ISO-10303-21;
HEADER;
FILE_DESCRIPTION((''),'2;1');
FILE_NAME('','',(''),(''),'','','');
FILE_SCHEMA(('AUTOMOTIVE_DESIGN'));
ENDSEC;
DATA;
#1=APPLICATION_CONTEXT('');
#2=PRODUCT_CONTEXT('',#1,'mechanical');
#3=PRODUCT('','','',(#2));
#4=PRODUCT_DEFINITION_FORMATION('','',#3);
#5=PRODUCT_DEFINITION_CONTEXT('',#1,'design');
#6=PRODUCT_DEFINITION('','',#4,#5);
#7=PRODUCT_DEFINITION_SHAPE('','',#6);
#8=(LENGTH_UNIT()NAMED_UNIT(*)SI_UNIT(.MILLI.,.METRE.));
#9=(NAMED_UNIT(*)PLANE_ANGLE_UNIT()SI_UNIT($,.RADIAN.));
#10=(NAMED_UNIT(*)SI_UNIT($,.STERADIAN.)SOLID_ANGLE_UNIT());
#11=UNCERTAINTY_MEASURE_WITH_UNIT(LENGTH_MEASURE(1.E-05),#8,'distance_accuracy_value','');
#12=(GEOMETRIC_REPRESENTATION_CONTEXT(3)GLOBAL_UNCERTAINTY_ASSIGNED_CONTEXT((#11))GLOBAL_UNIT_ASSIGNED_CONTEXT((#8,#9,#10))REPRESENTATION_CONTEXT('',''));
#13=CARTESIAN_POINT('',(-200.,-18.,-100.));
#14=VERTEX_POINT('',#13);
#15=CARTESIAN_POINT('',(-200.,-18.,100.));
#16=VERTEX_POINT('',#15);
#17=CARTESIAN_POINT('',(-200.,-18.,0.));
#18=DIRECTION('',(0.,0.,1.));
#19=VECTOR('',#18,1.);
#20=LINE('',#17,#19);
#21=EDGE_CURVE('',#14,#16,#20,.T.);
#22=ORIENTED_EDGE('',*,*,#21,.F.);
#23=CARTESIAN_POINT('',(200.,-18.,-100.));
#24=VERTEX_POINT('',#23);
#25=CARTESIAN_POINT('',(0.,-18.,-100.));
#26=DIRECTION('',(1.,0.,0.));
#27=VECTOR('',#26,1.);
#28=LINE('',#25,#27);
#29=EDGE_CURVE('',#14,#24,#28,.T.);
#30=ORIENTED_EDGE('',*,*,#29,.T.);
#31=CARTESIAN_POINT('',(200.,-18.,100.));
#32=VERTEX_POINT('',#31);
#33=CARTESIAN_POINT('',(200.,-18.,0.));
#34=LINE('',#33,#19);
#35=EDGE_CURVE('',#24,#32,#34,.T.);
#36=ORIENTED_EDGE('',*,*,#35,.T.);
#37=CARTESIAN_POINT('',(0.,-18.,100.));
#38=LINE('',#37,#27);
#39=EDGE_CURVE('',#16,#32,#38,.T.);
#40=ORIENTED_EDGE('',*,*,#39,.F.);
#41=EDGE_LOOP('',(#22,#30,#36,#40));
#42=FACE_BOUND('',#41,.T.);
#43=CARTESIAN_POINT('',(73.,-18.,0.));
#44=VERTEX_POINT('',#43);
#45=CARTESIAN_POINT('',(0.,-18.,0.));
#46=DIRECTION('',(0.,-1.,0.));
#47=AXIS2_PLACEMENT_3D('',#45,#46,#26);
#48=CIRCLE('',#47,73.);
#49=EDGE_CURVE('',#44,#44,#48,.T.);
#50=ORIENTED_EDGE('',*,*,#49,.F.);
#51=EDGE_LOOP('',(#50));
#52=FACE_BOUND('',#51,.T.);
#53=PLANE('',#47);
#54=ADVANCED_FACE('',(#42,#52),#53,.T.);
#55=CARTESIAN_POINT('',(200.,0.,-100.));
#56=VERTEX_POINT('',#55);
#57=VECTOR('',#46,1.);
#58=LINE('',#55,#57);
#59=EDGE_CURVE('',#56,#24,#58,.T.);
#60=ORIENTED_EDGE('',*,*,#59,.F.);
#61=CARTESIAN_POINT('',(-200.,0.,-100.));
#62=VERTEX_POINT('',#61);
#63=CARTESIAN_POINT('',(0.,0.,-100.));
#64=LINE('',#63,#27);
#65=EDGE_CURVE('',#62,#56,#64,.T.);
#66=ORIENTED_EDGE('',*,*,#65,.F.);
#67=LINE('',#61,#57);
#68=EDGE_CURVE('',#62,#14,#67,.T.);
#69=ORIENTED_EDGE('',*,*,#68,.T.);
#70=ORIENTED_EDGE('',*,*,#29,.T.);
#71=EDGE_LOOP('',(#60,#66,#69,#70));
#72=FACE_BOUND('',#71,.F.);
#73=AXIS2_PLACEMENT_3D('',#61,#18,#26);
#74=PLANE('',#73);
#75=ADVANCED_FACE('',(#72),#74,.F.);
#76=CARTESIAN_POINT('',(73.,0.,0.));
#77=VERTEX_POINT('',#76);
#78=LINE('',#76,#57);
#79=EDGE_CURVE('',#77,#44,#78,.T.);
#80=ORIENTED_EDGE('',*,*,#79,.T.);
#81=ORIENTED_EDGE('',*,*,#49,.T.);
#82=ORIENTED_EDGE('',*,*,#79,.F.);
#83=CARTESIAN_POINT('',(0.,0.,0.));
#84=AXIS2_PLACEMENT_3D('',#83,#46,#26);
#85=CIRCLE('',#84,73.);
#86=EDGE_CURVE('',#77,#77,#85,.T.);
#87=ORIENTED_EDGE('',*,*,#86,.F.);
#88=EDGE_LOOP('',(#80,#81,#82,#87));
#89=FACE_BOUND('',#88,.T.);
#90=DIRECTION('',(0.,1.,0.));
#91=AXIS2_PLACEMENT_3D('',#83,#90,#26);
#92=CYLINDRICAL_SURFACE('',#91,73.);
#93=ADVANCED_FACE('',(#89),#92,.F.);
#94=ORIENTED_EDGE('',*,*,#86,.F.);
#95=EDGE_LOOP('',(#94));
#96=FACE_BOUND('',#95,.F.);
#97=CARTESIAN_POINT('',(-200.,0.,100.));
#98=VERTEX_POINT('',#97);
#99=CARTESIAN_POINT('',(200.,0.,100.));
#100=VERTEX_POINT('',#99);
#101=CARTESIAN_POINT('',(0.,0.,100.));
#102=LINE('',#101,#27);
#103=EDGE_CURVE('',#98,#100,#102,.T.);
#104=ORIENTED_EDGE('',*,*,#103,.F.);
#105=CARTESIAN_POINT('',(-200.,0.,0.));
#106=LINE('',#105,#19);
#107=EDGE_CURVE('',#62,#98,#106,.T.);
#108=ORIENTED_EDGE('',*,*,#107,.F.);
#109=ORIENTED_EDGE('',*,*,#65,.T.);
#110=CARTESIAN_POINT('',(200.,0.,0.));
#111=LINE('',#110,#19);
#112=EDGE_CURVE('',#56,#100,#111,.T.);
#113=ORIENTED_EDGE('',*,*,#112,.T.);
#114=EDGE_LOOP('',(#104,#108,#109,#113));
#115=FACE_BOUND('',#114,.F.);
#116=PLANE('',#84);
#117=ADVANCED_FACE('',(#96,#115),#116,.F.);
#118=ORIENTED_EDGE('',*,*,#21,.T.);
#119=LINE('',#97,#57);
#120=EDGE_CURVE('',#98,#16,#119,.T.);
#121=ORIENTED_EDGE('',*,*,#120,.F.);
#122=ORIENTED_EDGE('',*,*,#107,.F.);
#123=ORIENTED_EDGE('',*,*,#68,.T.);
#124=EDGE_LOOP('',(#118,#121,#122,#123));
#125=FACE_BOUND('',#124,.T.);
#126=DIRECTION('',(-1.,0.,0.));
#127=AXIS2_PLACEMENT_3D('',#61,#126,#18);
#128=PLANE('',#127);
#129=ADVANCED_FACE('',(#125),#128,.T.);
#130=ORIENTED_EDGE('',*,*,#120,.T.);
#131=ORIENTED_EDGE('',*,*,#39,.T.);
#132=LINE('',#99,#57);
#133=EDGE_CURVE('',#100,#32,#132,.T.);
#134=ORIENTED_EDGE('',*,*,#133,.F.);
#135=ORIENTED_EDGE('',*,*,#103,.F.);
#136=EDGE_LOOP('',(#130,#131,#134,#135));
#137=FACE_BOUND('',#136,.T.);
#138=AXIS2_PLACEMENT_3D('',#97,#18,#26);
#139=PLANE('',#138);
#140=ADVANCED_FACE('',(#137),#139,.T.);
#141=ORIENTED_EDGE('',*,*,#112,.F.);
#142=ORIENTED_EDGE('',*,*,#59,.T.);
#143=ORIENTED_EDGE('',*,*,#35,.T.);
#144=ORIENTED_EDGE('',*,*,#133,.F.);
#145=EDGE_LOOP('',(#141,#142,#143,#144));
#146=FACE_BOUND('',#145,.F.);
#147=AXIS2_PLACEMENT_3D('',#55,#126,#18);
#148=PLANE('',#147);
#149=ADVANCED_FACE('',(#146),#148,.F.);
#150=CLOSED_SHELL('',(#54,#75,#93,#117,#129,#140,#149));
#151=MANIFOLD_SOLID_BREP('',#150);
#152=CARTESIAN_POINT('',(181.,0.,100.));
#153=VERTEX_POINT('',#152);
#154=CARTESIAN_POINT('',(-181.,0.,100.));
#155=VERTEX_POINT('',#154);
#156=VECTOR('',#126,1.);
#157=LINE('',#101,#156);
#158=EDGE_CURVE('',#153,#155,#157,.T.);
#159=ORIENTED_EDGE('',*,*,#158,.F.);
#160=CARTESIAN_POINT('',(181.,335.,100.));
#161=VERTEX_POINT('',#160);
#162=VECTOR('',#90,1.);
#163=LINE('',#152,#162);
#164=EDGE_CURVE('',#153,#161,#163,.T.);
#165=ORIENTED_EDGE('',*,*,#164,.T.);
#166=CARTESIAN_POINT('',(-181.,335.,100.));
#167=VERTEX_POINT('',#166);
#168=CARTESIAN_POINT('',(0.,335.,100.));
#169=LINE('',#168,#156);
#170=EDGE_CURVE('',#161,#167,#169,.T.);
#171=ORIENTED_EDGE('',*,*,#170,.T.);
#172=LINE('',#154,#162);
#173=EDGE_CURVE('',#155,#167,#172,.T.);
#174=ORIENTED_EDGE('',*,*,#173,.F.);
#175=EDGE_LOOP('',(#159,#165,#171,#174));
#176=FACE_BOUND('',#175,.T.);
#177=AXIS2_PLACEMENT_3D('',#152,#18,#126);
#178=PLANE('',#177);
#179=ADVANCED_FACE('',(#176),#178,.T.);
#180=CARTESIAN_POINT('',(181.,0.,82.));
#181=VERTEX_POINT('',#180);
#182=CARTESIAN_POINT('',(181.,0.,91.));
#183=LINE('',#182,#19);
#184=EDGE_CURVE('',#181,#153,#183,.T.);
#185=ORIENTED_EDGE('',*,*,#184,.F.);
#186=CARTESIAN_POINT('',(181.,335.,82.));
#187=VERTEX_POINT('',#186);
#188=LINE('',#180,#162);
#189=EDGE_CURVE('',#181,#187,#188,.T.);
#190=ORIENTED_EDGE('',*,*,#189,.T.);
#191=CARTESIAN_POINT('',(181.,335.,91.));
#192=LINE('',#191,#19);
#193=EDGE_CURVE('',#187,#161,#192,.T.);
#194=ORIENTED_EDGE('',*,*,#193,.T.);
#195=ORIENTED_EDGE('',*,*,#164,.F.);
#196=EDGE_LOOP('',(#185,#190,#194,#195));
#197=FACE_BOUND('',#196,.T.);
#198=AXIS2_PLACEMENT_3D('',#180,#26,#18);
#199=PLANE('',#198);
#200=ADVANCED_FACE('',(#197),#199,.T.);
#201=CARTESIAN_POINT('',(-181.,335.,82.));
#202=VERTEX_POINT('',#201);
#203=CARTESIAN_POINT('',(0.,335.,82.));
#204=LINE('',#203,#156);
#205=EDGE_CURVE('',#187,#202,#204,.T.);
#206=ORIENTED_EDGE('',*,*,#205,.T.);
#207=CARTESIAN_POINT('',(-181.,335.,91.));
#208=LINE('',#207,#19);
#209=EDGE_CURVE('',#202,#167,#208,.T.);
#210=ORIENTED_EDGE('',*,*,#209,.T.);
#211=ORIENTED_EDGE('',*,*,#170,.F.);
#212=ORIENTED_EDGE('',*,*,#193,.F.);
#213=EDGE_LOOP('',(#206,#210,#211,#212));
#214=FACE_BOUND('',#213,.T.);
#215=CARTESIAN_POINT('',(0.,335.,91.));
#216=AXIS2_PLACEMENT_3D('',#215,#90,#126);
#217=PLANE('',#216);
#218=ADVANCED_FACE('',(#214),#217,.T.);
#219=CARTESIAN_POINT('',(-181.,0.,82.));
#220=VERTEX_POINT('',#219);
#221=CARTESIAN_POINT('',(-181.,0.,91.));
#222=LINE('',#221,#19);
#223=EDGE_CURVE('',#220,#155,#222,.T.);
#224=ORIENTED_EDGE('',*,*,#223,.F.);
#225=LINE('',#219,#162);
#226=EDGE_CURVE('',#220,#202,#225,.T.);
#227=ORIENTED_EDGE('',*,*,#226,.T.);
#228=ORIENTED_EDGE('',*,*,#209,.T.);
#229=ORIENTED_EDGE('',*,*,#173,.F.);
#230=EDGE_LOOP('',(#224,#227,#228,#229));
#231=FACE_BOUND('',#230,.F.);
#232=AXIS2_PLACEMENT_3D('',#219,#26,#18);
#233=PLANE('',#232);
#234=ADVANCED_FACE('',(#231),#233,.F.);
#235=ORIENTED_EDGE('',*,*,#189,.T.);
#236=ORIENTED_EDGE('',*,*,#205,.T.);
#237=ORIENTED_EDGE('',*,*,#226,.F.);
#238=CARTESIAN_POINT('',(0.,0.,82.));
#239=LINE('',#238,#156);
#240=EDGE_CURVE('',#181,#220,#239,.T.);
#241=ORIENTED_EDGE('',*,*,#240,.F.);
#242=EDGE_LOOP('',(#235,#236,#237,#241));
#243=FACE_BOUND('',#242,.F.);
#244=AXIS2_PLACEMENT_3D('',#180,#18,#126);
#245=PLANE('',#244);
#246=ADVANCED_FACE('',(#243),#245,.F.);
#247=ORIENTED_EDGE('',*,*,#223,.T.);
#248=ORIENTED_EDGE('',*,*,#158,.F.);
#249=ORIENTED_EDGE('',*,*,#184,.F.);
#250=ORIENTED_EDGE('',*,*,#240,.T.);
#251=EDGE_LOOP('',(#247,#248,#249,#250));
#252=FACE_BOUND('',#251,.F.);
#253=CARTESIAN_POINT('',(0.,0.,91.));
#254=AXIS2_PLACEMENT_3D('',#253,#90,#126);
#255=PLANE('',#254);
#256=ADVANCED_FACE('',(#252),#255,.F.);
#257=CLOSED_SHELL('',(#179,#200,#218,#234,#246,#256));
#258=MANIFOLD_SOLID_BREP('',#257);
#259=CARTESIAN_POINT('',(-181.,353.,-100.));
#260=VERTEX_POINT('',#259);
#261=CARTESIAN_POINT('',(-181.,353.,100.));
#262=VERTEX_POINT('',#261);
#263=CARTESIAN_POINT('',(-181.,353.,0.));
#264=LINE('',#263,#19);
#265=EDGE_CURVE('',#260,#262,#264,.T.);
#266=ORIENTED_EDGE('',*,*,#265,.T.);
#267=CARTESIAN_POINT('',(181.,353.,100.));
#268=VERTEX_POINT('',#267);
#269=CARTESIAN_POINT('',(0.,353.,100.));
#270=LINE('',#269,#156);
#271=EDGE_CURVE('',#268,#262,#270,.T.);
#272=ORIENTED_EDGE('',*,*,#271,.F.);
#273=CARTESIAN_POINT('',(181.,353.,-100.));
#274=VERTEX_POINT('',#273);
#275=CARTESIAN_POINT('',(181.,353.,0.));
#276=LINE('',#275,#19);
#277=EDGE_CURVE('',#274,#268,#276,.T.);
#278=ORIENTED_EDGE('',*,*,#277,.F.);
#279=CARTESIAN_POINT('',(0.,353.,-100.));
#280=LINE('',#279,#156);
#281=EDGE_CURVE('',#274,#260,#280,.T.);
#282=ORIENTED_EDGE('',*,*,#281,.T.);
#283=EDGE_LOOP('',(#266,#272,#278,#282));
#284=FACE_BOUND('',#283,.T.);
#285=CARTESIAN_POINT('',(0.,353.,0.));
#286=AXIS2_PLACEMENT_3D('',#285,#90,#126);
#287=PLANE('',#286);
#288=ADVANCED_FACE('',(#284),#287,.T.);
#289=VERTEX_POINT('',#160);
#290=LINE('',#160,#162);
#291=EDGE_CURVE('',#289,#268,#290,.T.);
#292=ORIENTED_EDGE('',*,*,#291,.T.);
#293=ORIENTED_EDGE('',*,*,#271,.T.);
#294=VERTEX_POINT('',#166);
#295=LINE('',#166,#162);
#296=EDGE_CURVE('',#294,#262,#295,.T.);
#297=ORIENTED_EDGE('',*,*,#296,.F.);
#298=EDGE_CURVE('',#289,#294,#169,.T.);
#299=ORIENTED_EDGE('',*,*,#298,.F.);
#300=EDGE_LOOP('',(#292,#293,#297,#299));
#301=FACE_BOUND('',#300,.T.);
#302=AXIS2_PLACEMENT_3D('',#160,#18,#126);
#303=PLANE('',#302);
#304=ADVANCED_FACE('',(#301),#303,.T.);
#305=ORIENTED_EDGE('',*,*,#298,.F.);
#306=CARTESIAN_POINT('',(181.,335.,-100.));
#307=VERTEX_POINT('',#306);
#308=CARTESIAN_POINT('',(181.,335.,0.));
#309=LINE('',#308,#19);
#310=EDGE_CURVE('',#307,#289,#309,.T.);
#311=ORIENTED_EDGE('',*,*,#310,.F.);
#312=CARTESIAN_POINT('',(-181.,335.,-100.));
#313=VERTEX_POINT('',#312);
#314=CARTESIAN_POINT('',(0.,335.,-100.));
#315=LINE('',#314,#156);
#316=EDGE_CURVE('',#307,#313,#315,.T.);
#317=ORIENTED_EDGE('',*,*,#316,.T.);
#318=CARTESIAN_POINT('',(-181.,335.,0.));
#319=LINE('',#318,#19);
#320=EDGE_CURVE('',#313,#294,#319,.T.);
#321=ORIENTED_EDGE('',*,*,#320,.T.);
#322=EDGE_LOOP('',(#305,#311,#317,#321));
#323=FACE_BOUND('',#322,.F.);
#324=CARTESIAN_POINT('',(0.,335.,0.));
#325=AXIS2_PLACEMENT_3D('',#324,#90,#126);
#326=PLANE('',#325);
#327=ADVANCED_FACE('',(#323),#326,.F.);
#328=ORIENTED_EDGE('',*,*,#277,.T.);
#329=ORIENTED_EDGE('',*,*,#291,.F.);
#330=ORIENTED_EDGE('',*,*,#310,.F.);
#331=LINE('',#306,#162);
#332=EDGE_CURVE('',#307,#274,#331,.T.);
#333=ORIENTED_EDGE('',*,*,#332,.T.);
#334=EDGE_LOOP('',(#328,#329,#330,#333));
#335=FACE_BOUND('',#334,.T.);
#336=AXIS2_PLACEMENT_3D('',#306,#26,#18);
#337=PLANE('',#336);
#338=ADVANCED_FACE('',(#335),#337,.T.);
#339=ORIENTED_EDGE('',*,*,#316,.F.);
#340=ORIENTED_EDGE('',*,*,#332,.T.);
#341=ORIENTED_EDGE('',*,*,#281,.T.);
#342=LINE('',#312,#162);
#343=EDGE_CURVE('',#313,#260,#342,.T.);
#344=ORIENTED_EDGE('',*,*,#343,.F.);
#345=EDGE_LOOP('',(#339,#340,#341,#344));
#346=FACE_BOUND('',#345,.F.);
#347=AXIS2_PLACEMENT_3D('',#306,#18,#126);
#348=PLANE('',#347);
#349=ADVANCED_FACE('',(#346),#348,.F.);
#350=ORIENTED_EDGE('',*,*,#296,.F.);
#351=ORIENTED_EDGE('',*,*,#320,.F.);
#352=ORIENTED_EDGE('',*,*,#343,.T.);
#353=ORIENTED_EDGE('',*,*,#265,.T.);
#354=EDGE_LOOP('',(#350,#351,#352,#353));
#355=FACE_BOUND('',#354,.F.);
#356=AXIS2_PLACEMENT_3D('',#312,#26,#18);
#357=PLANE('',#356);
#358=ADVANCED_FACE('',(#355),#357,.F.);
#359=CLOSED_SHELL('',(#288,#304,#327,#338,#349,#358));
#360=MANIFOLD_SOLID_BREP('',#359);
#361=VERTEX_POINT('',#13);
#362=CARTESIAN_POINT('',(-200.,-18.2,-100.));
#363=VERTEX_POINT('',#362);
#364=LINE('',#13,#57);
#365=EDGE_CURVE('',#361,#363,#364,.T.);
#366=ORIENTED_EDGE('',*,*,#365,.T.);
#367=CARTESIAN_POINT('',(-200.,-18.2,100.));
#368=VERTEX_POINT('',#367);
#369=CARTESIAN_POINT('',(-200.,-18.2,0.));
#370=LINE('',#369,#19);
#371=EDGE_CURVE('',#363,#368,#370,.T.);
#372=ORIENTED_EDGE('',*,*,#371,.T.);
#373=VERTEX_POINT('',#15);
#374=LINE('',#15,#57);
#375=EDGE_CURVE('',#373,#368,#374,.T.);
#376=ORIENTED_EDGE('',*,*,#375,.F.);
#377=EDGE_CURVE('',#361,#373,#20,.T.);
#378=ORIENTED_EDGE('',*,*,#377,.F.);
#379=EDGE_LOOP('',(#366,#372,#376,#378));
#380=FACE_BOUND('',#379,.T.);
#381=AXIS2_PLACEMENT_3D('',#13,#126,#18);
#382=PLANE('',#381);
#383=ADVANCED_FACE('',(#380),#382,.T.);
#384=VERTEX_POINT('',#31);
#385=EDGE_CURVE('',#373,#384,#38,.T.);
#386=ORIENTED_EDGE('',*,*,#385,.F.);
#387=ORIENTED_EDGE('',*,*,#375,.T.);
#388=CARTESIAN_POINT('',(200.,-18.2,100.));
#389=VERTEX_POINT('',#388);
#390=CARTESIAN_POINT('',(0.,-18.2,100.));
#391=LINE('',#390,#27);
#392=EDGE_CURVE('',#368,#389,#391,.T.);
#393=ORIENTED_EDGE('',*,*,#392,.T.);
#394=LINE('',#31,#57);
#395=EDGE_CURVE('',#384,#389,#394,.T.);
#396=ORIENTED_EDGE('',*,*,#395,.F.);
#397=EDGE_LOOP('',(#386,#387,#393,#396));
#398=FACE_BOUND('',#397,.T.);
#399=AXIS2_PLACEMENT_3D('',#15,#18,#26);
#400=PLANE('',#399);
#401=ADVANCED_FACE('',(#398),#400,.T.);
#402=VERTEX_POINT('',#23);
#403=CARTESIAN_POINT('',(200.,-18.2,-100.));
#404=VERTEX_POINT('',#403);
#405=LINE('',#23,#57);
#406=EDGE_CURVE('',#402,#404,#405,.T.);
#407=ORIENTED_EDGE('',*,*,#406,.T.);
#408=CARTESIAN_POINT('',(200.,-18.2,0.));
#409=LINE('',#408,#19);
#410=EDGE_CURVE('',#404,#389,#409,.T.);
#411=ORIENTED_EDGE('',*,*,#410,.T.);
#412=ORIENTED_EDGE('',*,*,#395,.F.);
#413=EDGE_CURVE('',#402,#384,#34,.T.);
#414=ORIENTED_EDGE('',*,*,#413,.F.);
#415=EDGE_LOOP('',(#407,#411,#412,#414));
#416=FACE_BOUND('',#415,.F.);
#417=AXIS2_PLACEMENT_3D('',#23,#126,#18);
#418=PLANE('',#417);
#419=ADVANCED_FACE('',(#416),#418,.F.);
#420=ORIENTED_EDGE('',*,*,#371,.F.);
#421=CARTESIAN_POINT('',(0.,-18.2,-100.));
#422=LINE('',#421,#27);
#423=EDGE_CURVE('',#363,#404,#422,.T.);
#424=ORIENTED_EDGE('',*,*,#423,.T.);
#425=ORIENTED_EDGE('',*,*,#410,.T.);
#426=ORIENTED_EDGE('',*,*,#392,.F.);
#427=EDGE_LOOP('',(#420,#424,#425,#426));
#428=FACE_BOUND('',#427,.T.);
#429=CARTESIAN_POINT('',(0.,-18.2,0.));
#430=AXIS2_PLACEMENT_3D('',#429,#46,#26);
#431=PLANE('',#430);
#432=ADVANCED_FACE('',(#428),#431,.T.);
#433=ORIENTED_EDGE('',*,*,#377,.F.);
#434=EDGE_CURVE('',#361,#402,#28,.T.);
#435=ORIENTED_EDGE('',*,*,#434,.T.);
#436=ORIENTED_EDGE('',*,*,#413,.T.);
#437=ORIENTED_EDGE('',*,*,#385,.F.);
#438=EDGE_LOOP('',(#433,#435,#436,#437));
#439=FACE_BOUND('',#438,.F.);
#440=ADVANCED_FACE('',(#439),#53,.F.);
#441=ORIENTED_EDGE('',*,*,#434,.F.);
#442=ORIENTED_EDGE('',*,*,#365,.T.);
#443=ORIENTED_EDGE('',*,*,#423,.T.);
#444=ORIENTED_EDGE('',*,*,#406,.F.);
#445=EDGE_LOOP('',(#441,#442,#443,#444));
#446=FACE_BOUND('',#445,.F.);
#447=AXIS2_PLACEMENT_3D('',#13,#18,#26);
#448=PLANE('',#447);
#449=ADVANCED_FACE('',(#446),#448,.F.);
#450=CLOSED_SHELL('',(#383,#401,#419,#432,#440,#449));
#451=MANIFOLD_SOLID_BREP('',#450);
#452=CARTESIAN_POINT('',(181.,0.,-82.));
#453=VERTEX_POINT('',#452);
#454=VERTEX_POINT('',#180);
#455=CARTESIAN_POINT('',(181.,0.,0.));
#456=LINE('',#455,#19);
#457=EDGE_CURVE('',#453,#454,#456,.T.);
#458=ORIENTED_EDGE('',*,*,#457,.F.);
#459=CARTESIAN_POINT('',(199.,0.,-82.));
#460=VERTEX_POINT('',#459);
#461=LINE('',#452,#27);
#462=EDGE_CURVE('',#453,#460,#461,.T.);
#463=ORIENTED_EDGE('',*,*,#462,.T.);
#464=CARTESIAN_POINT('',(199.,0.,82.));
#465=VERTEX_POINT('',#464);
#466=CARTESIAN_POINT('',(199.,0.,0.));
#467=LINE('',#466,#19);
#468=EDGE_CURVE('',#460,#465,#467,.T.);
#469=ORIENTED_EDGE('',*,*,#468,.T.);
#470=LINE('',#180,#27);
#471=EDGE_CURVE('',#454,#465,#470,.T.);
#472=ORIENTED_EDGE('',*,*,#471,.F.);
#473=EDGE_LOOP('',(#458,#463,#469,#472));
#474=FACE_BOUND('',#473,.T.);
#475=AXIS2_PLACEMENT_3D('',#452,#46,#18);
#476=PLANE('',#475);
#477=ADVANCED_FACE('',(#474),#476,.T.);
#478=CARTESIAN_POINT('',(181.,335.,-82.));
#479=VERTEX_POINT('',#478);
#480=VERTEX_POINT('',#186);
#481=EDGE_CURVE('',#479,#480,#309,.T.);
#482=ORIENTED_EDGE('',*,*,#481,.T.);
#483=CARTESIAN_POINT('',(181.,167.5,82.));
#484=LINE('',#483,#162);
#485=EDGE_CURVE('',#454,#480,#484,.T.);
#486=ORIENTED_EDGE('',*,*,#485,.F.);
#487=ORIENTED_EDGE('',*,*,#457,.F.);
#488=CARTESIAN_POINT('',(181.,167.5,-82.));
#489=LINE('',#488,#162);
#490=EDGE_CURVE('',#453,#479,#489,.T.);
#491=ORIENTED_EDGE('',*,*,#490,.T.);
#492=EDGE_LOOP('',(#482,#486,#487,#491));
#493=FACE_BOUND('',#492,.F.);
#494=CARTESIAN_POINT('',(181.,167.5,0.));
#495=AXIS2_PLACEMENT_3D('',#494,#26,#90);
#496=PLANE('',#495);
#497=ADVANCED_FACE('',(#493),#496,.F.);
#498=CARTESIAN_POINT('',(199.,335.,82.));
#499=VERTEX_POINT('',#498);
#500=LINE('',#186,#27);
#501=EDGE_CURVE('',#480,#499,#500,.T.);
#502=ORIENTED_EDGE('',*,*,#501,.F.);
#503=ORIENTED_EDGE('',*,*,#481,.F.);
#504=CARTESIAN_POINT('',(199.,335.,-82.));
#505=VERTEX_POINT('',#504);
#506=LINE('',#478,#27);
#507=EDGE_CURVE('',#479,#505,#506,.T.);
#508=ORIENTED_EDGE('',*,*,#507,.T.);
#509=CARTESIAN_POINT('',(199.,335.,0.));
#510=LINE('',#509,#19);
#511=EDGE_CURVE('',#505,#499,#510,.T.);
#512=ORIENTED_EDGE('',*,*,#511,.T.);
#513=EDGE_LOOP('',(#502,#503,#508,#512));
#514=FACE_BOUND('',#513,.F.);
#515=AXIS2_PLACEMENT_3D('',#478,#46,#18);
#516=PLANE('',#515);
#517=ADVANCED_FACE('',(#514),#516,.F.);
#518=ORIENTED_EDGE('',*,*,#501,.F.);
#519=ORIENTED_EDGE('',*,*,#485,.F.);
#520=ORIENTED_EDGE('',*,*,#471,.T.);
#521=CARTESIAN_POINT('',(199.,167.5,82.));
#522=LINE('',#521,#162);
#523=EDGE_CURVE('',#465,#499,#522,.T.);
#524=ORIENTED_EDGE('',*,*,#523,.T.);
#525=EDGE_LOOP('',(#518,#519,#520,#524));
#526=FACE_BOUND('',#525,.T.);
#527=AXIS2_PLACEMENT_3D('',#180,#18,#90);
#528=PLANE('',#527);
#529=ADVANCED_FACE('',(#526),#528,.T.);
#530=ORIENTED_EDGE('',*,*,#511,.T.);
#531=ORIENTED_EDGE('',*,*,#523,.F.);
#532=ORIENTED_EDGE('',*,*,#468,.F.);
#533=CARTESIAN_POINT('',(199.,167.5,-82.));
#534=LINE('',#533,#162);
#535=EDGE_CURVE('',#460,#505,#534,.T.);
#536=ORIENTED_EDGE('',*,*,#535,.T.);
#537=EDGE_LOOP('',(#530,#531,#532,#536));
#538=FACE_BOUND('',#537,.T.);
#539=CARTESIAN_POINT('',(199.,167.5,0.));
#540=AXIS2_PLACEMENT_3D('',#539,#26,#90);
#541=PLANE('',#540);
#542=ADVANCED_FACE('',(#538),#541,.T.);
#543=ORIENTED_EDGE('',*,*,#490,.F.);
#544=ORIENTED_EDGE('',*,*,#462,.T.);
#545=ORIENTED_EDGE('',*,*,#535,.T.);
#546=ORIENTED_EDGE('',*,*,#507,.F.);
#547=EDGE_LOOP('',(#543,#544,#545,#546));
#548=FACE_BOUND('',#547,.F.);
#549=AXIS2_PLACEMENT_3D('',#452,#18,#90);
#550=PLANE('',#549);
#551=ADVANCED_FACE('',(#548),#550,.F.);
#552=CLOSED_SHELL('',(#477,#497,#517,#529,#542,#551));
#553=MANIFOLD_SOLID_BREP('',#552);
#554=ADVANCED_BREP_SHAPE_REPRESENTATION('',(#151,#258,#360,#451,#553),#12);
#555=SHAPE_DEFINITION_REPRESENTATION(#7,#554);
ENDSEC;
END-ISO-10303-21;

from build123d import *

# Parameters (mm, degrees)
F0_W     = 400
F0_H     = 200
F0_R     = 73
F1_DEPTH = 18
F2_W     = 362
F2_H     = 18
F3_DEPTH = 335
F4_W     = 335
F4_H     = 164
F5_DEPTH = 18
F6_W     = 362
F6_H     = 200
F7_DEPTH = 18
F8_W     = 400
F8_H     = 200
F9_DEPTH = 0.2


with BuildPart() as f1:
    # F0 (on Front) → F1 (new body)
    with BuildSketch(Plane.XZ):
        Rectangle(F0_W, F0_H)
        Circle(F0_R, mode=Mode.SUBTRACT)
    extrude(amount=F1_DEPTH)


with BuildPart() as f3:
    # F2 (on face) → F3 (new body)
    with BuildSketch(Plane(origin=(0, 0, 0), x_dir=(-1, 0, 0), z_dir=(0, 1, 0))):
        with Locations((0, 91)):
            Rectangle(F2_W, F2_H)
    extrude(amount=F3_DEPTH)


with BuildPart() as f5:
    # F4 (on face) → F5 (new body)
    with BuildSketch(Plane.YZ.offset(181)):
        with Locations((167.5, 0)):
            Rectangle(F4_W, F4_H)
    extrude(amount=F5_DEPTH)


with BuildPart() as f7:
    # F6 (on face) → F7 (new body)
    with BuildSketch(Plane(origin=(0, 335, 0), x_dir=(-1, 0, 0), z_dir=(0, 1, 0))):
        Rectangle(F6_W, F6_H)
    extrude(amount=F7_DEPTH)


with BuildPart() as f9:
    # F8 (on face) → F9 (new body)
    with BuildSketch(Plane.XZ.offset(18)):
        Rectangle(F8_W, F8_H)
    extrude(amount=F9_DEPTH)


solid = Compound([f1.part, f3.part, f5.part, f7.part, f9.part])
